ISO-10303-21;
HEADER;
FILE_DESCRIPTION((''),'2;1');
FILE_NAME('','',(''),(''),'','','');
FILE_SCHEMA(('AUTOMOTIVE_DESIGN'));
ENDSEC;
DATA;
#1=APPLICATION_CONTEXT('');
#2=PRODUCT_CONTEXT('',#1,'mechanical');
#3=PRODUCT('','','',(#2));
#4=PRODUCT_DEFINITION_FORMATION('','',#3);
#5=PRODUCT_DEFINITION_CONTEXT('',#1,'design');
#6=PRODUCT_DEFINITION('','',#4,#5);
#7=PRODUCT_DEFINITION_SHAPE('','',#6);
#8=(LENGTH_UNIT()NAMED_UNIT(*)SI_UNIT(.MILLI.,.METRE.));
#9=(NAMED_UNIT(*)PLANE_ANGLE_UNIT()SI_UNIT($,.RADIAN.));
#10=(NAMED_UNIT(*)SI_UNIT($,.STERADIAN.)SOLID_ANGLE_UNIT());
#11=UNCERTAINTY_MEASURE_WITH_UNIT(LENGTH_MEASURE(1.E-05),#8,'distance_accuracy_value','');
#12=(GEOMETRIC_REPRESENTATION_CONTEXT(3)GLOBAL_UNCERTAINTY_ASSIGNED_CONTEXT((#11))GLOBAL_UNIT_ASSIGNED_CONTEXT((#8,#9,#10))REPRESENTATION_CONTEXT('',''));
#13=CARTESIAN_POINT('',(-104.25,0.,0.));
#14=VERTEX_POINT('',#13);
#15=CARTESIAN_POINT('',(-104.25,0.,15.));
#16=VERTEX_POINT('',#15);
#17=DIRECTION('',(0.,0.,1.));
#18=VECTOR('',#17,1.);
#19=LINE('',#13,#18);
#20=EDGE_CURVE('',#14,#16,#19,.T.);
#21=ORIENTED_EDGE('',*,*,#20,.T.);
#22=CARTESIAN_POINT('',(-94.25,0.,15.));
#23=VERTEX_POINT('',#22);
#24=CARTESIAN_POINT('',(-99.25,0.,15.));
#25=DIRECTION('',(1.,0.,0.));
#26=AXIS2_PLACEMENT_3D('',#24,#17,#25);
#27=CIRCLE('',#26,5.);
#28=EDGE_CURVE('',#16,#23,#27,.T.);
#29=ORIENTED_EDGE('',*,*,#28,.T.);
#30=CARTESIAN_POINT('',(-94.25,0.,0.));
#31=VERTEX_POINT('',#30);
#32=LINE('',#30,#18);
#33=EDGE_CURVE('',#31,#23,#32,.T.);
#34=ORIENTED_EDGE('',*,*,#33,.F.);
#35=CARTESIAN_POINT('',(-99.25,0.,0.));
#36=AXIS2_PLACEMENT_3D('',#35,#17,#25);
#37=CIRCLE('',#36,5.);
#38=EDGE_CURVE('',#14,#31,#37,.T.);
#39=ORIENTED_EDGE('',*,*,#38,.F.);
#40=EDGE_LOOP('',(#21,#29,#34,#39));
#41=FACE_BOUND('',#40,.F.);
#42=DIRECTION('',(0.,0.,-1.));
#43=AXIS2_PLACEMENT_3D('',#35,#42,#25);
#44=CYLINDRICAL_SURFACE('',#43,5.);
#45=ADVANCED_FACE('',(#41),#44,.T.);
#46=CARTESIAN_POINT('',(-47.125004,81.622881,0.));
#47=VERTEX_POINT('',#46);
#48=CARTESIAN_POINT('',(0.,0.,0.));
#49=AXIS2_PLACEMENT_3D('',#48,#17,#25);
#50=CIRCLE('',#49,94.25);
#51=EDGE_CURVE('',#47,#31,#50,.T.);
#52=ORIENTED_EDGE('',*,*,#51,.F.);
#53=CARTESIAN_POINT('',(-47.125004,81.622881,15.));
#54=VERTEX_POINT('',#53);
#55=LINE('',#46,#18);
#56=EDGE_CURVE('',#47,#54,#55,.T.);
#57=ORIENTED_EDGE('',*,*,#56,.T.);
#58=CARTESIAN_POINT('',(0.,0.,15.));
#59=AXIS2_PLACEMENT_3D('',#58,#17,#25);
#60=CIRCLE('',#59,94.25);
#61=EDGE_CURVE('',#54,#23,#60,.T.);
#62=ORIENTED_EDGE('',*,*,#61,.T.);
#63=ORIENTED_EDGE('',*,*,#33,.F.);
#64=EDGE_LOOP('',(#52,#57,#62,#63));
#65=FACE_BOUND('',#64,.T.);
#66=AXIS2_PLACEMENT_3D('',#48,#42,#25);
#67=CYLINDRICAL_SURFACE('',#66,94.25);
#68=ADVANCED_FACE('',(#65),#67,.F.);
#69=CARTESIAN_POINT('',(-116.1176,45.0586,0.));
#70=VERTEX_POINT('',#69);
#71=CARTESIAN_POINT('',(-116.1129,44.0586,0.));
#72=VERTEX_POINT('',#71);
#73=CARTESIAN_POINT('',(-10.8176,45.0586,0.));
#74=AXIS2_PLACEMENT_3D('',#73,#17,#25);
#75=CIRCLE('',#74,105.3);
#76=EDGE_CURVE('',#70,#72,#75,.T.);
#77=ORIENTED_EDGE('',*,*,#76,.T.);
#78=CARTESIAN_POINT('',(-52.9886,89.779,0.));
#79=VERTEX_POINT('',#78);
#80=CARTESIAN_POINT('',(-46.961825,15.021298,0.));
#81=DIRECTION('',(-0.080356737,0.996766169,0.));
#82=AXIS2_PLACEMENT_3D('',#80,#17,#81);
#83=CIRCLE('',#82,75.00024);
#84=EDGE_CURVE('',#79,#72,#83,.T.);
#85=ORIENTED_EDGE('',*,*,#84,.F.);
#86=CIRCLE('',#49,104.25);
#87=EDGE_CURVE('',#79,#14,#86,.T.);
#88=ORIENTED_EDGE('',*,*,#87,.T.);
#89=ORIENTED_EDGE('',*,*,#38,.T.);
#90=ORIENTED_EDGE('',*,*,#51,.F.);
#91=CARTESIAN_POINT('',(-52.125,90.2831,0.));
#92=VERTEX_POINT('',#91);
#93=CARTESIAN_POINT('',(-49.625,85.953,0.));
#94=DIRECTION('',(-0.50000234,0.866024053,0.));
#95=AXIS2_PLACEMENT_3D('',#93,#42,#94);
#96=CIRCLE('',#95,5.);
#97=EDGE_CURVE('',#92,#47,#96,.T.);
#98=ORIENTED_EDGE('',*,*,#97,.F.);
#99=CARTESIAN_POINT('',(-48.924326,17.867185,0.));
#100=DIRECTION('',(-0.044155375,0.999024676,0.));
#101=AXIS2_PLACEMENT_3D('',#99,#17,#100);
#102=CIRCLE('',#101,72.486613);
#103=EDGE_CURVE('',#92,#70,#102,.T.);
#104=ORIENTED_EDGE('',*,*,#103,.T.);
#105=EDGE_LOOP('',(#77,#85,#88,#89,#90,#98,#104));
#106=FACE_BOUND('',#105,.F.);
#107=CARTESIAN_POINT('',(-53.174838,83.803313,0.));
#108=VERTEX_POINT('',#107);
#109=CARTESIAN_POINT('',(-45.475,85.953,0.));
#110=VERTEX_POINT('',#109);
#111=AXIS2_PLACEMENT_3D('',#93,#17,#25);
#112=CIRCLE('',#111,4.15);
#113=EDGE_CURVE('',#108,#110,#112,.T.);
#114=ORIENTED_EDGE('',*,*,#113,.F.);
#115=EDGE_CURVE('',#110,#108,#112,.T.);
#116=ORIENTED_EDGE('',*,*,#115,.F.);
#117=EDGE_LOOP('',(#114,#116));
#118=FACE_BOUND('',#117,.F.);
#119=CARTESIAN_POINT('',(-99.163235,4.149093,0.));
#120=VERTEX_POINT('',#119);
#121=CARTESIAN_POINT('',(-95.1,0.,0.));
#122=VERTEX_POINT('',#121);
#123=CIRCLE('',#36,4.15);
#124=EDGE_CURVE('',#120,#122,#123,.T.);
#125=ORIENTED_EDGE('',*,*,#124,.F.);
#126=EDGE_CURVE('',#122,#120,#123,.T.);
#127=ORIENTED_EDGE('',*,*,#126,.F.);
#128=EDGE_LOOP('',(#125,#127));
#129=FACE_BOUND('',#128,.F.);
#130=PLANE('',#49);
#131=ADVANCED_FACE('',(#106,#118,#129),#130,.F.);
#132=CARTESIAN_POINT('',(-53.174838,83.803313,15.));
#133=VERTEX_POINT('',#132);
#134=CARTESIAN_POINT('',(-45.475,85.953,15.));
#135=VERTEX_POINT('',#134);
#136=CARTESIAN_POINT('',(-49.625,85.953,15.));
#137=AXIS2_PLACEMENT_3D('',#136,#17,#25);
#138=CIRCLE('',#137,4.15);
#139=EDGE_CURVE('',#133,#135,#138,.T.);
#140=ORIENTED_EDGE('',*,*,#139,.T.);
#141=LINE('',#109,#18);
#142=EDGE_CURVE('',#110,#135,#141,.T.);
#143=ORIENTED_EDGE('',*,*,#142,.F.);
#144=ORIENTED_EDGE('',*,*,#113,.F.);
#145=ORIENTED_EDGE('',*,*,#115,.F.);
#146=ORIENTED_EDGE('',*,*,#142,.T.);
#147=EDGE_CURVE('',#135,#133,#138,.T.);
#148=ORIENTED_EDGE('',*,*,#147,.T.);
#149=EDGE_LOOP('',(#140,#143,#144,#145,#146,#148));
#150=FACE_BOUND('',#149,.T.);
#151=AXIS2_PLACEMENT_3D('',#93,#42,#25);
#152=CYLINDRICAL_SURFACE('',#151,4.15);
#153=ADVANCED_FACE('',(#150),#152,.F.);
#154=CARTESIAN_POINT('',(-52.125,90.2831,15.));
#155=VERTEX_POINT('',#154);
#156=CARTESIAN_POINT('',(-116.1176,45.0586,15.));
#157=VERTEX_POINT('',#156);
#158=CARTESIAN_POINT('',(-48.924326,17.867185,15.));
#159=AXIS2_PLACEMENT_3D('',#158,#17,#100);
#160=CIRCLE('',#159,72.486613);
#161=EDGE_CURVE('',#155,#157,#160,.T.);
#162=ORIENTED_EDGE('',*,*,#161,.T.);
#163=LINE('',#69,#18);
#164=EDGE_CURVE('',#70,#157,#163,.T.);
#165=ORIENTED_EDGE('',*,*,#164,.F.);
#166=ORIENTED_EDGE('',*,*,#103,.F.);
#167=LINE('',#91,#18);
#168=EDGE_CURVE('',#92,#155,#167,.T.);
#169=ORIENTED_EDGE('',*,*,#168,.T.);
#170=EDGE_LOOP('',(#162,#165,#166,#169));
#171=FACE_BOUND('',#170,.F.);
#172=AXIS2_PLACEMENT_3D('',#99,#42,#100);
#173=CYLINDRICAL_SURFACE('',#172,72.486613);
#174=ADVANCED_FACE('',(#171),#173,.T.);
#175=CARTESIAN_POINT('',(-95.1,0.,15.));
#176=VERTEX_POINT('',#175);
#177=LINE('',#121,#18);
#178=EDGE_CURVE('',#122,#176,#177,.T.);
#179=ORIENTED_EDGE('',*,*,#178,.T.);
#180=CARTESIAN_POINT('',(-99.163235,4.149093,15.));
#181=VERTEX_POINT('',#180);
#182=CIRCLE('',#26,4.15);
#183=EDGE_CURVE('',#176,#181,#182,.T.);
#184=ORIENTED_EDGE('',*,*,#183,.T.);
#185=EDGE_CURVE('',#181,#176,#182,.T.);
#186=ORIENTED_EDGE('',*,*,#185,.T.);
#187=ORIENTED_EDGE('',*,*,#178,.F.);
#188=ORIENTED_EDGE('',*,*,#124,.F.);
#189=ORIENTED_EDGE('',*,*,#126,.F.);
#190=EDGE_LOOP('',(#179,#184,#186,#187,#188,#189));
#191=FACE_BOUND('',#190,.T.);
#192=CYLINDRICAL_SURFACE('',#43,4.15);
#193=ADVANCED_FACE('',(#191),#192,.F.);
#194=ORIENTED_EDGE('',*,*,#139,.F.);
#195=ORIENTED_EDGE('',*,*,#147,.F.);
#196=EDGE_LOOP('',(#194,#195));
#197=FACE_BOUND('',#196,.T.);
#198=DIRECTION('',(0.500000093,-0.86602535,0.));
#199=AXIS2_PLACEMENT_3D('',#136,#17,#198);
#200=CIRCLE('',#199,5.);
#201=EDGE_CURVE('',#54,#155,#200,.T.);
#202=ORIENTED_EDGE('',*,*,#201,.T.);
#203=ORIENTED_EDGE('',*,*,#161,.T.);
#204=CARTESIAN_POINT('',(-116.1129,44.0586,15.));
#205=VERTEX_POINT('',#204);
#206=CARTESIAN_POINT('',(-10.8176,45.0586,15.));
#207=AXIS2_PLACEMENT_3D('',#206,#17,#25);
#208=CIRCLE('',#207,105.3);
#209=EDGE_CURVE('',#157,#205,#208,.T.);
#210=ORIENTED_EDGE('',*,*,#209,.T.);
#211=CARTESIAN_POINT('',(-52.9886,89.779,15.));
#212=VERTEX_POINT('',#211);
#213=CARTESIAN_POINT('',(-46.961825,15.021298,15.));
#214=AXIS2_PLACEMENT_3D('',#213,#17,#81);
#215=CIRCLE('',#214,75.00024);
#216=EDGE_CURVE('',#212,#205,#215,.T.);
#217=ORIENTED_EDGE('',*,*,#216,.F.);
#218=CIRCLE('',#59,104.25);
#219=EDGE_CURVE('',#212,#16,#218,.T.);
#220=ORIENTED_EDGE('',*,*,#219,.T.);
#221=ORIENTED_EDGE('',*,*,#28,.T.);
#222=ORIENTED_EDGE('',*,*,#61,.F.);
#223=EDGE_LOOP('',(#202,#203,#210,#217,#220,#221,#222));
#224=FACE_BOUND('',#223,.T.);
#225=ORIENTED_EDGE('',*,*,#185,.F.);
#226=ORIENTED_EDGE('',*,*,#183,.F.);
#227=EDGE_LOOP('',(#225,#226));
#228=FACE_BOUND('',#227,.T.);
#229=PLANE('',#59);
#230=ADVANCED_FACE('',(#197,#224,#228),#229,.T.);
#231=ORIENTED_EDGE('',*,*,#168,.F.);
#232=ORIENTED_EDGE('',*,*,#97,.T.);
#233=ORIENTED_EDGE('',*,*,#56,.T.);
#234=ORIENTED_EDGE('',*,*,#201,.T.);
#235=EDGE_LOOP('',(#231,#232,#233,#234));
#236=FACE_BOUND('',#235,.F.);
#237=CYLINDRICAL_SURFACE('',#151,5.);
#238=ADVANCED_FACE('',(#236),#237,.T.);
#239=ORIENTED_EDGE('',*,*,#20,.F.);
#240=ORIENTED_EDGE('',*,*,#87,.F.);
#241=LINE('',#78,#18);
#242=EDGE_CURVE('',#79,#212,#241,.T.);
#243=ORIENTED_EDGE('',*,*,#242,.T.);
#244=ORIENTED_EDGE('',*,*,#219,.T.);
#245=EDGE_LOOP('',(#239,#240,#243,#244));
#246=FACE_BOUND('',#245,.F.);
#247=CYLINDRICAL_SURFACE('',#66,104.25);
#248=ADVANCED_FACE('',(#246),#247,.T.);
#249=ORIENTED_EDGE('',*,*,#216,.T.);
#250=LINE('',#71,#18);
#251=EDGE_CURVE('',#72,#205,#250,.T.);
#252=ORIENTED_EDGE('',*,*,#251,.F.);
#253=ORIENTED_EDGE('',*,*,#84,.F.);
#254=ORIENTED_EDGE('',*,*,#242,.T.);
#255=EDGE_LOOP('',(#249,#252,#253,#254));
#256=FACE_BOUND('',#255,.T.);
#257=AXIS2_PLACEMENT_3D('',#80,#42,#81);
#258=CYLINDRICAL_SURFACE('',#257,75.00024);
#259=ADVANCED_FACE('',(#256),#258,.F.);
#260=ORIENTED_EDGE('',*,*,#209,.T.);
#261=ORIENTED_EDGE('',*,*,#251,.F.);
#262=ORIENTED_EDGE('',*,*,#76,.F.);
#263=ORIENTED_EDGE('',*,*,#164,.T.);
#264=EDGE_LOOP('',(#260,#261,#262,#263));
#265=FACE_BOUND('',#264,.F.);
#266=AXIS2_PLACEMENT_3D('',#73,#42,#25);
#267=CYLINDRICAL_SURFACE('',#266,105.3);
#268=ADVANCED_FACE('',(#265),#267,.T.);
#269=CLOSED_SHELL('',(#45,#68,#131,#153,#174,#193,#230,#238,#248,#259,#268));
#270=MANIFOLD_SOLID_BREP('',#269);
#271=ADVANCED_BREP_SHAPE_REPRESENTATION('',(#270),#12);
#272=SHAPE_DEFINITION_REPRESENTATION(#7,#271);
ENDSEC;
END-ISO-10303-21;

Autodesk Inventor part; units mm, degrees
ref_plane "YZ Plane" through (0, 0, 0) normal (1, 0, 0) x (0, 1, 0)
ref_plane "XZ Plane" through (0, 0, 0) normal (0, 1, 0) x (-1, 0, 0)
ref_plane "XY Plane" through (0, 0, 0) normal (0, 0, 1) x (1, 0, 0)
sketch "Sketch1" plane through (0, 0, 0) normal (0, 0, 1) x (1, 0, 0)
  circle A0 centre (0, 0) radius 99.25 construction
  circle A1 centre (-99.25, 0) radius 4.15
  arc A2 (-49.625, 85.953) -> (-99.25, 0) centre (0, 0) ccw
  line L0 (0, 0) -> (-49.625, 85.953) construction
  line L1 (0, 0) -> (-99.25, 0) construction
  circle A3 centre (-49.625, 85.953) radius 4.15
  circle A4 centre (0, 0) radius 95.25 construction
  circle A5 centre (0, 0) radius 103.25 construction
  circle A6 centre (-49.625, 85.953) radius 5
  circle A7 centre (-99.25, 0) radius 5
  circle A8 centre (0, 0) radius 94.25
  circle A9 centre (0, 0) radius 104.25
  line L2 (-99.25, 0) -> (-49.625, 85.953) construction
  line L3 (-99.25, 0) -> (0, 0) construction
  arc A10 (0, 0) -> (-10.8176, 45.0586) centre (-99.25, 0) ccw
  line L4 (-99.25, 0) -> (-10.8176, 45.0586) construction
  line L5 (-99.25, 0) -> (0, 0) construction
  circle A11 centre (-10.8176, 45.0586) radius 105.3
  arc A12 (-52.125, 90.2831) -> (-116.1176, 45.0586) centre (-48.9244, 17.8674) ccw
  line L6 (-52.125, 90.2831) -> (-52.9886, 89.779)
  line L7 (-116.1176, 45.0586) -> (-116.1129, 44.0586)
  arc A13 (-52.9886, 89.779) -> (-116.1129, 44.0586) centre (-46.9619, 15.0215) ccw
  point P0 (-94.25, 0)
  point P1 (-47.125, 81.6229)
  point P2 (-104.25, 0)
  dimension "d0" = 198.5
  dimension "d4" = 10
  dimension "d1" = 8.3
  dimension "d2" = 60
  dimension "d3" = 8.3
  dimension "d5" = 10
  dimension "d9" = 60
  dimension "d10" = 27
  dimension "d11" = 210.6
  dimension "d12" = 1
  dimension "d13" = 1
  dimension "d14" = 75
extrude "Extrusion1" add sketch "Sketch1" along normal blind 15 contours A7 | A7 A9 A6 A2 | A2 A6 A8 A7 | A6 | A9 A13 A11 A12
properties part number "Aparatus_Connector_2"
